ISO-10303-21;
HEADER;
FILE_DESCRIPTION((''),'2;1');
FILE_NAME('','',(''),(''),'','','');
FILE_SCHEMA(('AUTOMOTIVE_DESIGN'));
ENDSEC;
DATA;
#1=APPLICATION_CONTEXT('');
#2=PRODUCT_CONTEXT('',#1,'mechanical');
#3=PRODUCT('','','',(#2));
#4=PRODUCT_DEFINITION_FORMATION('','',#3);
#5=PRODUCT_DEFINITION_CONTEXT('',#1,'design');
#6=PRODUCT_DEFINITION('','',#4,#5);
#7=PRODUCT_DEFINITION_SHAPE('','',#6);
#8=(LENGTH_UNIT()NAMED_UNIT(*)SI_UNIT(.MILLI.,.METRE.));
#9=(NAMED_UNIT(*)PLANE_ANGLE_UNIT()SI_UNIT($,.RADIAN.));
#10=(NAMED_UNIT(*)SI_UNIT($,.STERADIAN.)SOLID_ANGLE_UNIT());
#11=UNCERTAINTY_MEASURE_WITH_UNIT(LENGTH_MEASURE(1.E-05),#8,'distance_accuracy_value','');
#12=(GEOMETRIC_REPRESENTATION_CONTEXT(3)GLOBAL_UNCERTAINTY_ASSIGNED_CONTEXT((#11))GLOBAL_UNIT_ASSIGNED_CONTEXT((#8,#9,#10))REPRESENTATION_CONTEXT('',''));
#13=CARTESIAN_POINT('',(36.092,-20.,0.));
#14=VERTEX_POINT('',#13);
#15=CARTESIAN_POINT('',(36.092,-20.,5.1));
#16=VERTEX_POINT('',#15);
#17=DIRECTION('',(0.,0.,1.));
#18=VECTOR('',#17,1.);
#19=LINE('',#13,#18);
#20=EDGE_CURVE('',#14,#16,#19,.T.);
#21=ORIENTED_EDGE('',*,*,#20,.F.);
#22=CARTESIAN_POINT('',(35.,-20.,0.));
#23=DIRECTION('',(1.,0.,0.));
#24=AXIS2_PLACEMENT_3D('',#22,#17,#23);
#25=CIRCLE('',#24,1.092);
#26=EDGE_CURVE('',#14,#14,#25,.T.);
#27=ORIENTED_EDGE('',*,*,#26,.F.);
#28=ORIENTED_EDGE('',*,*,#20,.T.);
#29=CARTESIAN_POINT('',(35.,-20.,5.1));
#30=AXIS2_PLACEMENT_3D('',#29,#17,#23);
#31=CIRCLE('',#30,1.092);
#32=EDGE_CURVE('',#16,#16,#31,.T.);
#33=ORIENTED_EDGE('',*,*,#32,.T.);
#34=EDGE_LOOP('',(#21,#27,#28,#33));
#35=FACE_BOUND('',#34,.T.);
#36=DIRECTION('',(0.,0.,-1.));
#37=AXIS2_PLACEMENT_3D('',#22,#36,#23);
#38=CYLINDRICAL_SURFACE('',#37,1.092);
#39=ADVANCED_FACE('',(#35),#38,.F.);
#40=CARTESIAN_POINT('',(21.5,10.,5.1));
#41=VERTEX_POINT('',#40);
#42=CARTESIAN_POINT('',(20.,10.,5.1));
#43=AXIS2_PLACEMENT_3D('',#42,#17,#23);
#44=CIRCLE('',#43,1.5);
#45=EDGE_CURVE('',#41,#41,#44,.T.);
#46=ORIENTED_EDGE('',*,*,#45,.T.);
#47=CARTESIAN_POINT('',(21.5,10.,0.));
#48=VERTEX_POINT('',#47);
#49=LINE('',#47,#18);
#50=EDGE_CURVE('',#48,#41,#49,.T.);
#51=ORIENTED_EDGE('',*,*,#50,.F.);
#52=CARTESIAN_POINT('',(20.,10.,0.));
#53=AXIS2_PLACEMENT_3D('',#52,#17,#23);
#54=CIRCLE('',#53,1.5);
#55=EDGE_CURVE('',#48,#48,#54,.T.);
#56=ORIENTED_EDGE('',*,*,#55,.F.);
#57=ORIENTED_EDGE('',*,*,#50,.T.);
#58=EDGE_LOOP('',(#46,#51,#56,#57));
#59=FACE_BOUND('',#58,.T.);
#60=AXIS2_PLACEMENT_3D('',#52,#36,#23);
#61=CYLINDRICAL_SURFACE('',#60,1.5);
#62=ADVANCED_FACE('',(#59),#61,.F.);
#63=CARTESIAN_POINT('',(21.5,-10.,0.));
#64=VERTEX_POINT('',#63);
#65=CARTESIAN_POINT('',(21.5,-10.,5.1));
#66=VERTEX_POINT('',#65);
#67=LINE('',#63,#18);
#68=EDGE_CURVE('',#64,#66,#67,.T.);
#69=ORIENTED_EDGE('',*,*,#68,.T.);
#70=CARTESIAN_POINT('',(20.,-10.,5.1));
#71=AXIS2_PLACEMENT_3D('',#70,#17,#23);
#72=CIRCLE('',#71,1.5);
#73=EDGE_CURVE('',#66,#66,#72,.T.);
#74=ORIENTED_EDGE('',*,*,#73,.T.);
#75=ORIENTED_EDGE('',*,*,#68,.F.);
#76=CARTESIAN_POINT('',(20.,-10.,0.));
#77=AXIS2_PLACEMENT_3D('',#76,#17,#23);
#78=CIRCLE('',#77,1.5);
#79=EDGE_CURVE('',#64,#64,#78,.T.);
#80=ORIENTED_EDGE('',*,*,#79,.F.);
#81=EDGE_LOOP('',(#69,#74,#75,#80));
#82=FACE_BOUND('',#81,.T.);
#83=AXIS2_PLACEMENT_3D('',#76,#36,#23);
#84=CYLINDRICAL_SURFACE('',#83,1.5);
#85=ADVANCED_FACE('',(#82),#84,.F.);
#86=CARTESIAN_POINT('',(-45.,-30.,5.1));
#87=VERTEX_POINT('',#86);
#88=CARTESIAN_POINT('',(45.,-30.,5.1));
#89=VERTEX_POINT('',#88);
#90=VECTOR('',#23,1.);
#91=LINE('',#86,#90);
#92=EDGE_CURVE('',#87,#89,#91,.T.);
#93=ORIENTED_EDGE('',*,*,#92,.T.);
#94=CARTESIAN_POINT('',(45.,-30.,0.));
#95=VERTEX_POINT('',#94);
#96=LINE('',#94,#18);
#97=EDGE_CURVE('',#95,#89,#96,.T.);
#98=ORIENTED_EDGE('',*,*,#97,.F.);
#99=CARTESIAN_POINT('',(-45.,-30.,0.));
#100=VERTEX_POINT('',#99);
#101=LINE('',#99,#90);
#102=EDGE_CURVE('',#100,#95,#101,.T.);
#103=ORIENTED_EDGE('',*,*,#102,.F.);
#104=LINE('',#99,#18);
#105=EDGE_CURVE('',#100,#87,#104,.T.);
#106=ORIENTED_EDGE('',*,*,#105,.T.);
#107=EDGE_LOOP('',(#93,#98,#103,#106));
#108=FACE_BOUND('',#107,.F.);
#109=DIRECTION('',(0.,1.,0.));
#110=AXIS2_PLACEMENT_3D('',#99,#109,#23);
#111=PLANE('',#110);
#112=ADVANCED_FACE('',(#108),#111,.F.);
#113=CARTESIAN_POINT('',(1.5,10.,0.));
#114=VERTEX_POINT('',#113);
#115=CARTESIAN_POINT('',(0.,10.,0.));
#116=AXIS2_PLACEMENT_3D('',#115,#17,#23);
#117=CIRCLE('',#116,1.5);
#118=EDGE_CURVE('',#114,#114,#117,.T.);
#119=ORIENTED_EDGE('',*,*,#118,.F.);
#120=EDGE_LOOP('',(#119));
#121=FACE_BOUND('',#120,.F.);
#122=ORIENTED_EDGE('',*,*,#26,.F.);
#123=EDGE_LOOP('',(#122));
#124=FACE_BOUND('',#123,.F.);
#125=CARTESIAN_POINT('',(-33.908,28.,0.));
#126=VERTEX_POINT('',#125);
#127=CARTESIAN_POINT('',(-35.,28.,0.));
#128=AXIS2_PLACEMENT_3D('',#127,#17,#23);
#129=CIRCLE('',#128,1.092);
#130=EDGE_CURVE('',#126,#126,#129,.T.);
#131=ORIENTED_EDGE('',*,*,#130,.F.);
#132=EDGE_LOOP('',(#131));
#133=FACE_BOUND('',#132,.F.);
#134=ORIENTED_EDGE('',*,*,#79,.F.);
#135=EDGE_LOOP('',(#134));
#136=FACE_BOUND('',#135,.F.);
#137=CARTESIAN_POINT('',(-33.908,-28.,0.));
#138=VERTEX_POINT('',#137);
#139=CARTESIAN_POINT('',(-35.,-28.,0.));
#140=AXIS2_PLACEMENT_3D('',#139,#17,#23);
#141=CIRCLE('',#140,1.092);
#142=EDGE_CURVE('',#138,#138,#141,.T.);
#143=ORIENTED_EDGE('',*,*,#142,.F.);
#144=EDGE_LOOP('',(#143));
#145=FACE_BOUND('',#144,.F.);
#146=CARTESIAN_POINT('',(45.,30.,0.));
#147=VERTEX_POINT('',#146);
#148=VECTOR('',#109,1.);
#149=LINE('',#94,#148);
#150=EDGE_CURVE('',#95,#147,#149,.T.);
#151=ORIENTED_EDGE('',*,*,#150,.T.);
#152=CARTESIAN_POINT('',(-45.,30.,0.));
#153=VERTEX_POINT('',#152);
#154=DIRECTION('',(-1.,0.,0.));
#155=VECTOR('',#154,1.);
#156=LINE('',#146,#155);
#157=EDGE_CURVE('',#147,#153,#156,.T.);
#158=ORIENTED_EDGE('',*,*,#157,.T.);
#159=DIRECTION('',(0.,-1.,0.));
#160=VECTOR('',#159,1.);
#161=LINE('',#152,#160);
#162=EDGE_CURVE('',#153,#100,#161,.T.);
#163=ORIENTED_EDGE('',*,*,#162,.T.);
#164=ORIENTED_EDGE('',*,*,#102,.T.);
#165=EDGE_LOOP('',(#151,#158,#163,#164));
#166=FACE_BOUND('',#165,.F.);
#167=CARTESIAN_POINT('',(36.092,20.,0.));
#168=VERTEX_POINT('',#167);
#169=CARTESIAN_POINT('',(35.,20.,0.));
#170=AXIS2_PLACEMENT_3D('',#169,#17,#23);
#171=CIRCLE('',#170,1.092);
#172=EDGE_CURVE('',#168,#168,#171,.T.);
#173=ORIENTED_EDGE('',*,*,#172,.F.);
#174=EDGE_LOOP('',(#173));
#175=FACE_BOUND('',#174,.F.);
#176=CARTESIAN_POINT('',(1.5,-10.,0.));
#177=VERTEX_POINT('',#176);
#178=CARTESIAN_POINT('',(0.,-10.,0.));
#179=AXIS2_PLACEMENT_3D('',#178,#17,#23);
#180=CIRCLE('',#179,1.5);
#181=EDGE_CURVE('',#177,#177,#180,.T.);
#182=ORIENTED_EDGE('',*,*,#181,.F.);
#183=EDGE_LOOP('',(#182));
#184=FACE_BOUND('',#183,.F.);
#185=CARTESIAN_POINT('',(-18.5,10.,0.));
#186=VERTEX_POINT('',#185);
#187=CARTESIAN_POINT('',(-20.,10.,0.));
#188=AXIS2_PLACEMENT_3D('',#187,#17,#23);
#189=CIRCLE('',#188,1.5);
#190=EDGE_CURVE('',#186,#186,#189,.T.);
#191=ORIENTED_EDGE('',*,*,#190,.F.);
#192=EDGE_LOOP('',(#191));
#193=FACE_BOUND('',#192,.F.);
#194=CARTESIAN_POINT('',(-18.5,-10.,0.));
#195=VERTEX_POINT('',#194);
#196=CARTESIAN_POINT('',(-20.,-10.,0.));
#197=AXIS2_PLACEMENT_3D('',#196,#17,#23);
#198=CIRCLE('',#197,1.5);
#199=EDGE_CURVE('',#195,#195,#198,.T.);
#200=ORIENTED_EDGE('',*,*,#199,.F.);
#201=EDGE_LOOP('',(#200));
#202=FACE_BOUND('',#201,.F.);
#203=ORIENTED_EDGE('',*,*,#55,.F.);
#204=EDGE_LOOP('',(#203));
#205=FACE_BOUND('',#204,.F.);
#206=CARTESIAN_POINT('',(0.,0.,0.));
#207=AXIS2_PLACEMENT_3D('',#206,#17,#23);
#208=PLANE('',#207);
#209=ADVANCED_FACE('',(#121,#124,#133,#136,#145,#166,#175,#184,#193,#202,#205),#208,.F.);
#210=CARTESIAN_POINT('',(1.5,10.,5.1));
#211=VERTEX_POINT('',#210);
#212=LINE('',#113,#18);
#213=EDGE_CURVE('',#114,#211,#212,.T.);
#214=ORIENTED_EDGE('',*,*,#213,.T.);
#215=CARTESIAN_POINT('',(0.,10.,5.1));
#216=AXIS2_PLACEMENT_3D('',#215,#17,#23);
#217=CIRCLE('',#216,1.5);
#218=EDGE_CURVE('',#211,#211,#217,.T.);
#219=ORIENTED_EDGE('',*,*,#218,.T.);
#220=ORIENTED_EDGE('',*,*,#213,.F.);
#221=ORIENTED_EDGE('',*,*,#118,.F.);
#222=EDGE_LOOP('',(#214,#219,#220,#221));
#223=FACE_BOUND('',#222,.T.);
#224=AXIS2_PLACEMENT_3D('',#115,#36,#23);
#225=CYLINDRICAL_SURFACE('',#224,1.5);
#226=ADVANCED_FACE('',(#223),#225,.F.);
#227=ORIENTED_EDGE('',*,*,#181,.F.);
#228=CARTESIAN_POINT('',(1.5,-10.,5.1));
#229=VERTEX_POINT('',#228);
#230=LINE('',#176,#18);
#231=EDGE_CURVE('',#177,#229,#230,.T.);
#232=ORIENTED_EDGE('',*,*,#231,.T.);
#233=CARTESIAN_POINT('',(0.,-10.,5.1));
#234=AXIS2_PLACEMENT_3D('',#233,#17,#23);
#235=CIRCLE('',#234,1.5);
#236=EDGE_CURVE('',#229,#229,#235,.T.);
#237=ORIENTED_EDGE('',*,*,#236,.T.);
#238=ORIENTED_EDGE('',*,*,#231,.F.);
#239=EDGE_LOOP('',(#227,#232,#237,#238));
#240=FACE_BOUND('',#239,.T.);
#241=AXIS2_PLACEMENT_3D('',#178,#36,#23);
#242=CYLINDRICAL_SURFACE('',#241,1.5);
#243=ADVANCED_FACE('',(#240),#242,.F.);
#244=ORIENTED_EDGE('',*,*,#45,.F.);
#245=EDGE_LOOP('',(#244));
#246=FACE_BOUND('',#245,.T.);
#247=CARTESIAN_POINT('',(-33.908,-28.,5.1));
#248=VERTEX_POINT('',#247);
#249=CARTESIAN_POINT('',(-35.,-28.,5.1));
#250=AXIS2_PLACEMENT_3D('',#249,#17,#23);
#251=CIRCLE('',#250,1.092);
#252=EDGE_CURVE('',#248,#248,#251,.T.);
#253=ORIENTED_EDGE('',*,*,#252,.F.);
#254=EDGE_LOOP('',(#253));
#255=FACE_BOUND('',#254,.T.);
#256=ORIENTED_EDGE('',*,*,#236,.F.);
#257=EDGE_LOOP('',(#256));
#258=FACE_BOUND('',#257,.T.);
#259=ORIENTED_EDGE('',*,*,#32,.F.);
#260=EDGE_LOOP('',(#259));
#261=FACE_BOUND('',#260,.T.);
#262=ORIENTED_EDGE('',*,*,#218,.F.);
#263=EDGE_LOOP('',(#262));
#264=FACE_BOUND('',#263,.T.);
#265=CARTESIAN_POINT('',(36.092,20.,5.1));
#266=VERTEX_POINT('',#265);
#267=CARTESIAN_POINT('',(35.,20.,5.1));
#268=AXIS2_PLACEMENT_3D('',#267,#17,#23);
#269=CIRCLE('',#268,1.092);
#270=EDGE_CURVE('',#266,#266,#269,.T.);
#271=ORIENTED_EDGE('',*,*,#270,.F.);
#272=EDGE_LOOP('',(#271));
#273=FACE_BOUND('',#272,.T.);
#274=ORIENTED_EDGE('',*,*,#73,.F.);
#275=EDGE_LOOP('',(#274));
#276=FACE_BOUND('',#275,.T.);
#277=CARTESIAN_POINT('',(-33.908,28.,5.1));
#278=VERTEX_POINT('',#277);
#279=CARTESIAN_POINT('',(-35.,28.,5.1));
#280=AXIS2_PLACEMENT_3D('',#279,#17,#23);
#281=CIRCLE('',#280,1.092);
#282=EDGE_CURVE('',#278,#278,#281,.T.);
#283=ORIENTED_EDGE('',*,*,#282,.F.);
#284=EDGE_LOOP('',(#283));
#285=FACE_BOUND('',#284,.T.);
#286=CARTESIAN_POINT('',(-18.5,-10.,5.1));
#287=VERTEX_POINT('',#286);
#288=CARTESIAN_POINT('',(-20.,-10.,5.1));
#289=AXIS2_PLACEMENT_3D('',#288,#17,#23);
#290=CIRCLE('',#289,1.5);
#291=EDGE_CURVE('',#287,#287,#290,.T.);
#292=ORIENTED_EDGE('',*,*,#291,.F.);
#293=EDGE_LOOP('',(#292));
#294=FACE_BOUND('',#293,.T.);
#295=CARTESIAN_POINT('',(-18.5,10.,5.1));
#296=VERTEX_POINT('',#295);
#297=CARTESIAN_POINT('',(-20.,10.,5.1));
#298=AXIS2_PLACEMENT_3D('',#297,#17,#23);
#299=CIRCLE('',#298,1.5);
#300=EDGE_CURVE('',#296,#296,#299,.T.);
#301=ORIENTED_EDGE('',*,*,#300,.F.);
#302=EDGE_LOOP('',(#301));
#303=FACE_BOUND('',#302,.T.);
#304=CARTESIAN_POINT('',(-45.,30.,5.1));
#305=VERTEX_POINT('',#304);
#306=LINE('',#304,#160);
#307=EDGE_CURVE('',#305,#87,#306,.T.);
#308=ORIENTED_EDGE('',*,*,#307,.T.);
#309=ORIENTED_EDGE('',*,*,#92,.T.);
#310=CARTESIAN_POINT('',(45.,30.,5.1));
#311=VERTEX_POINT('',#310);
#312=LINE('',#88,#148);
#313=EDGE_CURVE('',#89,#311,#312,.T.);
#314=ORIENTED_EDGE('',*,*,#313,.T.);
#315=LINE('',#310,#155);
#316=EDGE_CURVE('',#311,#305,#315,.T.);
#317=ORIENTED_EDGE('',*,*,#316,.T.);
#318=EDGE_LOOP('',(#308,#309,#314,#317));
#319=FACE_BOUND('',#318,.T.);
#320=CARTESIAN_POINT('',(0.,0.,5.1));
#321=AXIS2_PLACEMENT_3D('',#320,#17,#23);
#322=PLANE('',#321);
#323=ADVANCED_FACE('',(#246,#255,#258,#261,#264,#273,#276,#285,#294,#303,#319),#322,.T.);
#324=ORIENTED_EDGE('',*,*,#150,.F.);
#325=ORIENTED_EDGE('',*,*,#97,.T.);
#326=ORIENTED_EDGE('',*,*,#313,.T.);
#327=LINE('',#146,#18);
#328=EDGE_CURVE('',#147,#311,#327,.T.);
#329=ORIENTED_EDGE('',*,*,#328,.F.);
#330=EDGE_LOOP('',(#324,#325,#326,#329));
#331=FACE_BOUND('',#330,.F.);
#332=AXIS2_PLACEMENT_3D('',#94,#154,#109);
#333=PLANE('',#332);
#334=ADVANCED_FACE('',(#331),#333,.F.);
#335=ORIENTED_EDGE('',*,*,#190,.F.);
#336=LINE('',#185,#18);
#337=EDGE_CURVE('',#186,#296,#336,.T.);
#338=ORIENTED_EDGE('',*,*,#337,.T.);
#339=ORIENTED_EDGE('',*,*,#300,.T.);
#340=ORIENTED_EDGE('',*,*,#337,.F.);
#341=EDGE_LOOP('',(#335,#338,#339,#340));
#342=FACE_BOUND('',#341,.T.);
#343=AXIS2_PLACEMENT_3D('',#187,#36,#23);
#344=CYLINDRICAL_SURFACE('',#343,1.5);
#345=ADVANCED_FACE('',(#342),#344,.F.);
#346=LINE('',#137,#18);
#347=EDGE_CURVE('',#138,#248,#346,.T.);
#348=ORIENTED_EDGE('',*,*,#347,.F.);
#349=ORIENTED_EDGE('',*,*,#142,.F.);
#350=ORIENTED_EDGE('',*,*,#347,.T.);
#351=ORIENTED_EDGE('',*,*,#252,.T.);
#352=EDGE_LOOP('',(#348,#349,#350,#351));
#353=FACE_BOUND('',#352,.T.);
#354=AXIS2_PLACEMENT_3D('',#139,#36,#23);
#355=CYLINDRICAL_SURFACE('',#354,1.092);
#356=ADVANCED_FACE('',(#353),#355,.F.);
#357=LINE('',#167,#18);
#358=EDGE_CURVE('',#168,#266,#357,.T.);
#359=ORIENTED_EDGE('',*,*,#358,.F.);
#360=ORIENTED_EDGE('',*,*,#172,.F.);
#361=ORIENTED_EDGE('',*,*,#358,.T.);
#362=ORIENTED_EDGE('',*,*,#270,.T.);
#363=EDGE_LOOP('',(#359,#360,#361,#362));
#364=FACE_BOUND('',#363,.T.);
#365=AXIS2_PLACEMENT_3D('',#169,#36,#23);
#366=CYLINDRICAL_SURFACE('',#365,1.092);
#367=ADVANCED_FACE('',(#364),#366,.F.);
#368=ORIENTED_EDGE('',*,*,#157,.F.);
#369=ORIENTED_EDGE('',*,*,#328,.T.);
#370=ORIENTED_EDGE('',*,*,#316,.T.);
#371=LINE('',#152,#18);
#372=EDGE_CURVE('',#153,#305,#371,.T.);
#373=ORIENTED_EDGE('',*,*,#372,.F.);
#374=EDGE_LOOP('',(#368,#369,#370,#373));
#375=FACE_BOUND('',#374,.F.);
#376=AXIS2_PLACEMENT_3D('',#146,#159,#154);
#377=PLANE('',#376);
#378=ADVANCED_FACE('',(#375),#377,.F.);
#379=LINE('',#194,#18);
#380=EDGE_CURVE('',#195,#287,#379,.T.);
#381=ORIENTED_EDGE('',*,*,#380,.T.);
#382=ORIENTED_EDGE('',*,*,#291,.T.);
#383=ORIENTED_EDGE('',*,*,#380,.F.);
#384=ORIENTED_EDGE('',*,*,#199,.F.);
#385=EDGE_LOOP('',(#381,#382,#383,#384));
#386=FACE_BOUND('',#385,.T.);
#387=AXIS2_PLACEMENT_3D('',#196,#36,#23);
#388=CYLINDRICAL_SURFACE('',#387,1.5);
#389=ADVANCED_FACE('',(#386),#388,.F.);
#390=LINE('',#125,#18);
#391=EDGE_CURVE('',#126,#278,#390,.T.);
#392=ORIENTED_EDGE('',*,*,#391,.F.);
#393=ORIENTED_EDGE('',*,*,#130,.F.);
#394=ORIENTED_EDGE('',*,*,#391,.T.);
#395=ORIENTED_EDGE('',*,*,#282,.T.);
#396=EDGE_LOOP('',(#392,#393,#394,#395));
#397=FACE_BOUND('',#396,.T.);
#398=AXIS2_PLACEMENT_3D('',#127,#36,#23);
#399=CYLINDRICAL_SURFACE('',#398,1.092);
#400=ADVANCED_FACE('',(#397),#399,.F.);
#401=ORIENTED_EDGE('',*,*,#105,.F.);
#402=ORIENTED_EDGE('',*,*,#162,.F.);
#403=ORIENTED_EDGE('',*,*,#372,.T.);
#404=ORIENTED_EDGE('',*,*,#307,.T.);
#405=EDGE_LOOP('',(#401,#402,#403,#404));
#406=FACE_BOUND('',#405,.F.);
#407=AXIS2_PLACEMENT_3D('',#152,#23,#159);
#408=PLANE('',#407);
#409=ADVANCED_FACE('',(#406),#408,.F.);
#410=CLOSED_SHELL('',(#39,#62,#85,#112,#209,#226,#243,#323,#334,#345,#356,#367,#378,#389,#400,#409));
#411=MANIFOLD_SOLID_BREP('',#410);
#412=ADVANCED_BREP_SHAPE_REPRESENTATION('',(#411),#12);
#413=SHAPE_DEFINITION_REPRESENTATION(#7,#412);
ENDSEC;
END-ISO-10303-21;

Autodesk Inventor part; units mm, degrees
ref_plane "YZ Plane" through (0, 0, 0) normal (1, 0, 0) x (0, 1, 0)
ref_plane "XZ Plane" through (0, 0, 0) normal (0, 1, 0) x (-1, 0, 0)
ref_plane "XY Plane" through (0, 0, 0) normal (0, 0, 1) x (1, 0, 0)
sketch "Sketch1" plane through (0, 0, 0) normal (0, 0, 1) x (1, 0, 0)
  line L0 (-45, -30) -> (45, -30)
  line L1 (45, -30) -> (45, 30)
  line L2 (45, 30) -> (-45, 30)
  line L3 (-45, 30) -> (-45, -30)
  line L4 (-45, -30) -> (45, 30) construction
  line L5 (45, -30) -> (-45, 30) construction
  circle A0 centre (-35, -28) radius 1.092
  circle A1 centre (35, -20) radius 1.092
  line L6 (0, 0) -> (14.1537, 0) construction
  circle A2 centre (-35, 28) radius 1.092
  circle A3 centre (35, 20) radius 1.092
  circle A4 centre (-20, 10) radius 1.5
  circle A5 centre (0, 10) radius 1.5
  circle A6 centre (20, 10) radius 1.5
  circle A7 centre (-20, -10) radius 1.5
  circle A8 centre (0, -10) radius 1.5
  circle A9 centre (20, -10) radius 1.5
  dimension "d0" = 90
  dimension "d1" = 60
  dimension "d7" = 2.184
  dimension "d8" = 2.184
  dimension "d11" = 2
  dimension "d19" = 70
  dimension "d22" = 10
  dimension "d23" = 10
  dimension "d24" = 3
  dimension "d25" = 3
  dimension "d26" = 3
  dimension "d27" = 3
  dimension "d28" = 3
  dimension "d29" = 3
  dimension "d30" = 10
  dimension "d31" = 10
  dimension "d32" = 20
  dimension "d33" = 20
extrude "Extrusion1" add sketch "Sketch1" along normal blind 5.1
properties part number "lidar mounting plate"
